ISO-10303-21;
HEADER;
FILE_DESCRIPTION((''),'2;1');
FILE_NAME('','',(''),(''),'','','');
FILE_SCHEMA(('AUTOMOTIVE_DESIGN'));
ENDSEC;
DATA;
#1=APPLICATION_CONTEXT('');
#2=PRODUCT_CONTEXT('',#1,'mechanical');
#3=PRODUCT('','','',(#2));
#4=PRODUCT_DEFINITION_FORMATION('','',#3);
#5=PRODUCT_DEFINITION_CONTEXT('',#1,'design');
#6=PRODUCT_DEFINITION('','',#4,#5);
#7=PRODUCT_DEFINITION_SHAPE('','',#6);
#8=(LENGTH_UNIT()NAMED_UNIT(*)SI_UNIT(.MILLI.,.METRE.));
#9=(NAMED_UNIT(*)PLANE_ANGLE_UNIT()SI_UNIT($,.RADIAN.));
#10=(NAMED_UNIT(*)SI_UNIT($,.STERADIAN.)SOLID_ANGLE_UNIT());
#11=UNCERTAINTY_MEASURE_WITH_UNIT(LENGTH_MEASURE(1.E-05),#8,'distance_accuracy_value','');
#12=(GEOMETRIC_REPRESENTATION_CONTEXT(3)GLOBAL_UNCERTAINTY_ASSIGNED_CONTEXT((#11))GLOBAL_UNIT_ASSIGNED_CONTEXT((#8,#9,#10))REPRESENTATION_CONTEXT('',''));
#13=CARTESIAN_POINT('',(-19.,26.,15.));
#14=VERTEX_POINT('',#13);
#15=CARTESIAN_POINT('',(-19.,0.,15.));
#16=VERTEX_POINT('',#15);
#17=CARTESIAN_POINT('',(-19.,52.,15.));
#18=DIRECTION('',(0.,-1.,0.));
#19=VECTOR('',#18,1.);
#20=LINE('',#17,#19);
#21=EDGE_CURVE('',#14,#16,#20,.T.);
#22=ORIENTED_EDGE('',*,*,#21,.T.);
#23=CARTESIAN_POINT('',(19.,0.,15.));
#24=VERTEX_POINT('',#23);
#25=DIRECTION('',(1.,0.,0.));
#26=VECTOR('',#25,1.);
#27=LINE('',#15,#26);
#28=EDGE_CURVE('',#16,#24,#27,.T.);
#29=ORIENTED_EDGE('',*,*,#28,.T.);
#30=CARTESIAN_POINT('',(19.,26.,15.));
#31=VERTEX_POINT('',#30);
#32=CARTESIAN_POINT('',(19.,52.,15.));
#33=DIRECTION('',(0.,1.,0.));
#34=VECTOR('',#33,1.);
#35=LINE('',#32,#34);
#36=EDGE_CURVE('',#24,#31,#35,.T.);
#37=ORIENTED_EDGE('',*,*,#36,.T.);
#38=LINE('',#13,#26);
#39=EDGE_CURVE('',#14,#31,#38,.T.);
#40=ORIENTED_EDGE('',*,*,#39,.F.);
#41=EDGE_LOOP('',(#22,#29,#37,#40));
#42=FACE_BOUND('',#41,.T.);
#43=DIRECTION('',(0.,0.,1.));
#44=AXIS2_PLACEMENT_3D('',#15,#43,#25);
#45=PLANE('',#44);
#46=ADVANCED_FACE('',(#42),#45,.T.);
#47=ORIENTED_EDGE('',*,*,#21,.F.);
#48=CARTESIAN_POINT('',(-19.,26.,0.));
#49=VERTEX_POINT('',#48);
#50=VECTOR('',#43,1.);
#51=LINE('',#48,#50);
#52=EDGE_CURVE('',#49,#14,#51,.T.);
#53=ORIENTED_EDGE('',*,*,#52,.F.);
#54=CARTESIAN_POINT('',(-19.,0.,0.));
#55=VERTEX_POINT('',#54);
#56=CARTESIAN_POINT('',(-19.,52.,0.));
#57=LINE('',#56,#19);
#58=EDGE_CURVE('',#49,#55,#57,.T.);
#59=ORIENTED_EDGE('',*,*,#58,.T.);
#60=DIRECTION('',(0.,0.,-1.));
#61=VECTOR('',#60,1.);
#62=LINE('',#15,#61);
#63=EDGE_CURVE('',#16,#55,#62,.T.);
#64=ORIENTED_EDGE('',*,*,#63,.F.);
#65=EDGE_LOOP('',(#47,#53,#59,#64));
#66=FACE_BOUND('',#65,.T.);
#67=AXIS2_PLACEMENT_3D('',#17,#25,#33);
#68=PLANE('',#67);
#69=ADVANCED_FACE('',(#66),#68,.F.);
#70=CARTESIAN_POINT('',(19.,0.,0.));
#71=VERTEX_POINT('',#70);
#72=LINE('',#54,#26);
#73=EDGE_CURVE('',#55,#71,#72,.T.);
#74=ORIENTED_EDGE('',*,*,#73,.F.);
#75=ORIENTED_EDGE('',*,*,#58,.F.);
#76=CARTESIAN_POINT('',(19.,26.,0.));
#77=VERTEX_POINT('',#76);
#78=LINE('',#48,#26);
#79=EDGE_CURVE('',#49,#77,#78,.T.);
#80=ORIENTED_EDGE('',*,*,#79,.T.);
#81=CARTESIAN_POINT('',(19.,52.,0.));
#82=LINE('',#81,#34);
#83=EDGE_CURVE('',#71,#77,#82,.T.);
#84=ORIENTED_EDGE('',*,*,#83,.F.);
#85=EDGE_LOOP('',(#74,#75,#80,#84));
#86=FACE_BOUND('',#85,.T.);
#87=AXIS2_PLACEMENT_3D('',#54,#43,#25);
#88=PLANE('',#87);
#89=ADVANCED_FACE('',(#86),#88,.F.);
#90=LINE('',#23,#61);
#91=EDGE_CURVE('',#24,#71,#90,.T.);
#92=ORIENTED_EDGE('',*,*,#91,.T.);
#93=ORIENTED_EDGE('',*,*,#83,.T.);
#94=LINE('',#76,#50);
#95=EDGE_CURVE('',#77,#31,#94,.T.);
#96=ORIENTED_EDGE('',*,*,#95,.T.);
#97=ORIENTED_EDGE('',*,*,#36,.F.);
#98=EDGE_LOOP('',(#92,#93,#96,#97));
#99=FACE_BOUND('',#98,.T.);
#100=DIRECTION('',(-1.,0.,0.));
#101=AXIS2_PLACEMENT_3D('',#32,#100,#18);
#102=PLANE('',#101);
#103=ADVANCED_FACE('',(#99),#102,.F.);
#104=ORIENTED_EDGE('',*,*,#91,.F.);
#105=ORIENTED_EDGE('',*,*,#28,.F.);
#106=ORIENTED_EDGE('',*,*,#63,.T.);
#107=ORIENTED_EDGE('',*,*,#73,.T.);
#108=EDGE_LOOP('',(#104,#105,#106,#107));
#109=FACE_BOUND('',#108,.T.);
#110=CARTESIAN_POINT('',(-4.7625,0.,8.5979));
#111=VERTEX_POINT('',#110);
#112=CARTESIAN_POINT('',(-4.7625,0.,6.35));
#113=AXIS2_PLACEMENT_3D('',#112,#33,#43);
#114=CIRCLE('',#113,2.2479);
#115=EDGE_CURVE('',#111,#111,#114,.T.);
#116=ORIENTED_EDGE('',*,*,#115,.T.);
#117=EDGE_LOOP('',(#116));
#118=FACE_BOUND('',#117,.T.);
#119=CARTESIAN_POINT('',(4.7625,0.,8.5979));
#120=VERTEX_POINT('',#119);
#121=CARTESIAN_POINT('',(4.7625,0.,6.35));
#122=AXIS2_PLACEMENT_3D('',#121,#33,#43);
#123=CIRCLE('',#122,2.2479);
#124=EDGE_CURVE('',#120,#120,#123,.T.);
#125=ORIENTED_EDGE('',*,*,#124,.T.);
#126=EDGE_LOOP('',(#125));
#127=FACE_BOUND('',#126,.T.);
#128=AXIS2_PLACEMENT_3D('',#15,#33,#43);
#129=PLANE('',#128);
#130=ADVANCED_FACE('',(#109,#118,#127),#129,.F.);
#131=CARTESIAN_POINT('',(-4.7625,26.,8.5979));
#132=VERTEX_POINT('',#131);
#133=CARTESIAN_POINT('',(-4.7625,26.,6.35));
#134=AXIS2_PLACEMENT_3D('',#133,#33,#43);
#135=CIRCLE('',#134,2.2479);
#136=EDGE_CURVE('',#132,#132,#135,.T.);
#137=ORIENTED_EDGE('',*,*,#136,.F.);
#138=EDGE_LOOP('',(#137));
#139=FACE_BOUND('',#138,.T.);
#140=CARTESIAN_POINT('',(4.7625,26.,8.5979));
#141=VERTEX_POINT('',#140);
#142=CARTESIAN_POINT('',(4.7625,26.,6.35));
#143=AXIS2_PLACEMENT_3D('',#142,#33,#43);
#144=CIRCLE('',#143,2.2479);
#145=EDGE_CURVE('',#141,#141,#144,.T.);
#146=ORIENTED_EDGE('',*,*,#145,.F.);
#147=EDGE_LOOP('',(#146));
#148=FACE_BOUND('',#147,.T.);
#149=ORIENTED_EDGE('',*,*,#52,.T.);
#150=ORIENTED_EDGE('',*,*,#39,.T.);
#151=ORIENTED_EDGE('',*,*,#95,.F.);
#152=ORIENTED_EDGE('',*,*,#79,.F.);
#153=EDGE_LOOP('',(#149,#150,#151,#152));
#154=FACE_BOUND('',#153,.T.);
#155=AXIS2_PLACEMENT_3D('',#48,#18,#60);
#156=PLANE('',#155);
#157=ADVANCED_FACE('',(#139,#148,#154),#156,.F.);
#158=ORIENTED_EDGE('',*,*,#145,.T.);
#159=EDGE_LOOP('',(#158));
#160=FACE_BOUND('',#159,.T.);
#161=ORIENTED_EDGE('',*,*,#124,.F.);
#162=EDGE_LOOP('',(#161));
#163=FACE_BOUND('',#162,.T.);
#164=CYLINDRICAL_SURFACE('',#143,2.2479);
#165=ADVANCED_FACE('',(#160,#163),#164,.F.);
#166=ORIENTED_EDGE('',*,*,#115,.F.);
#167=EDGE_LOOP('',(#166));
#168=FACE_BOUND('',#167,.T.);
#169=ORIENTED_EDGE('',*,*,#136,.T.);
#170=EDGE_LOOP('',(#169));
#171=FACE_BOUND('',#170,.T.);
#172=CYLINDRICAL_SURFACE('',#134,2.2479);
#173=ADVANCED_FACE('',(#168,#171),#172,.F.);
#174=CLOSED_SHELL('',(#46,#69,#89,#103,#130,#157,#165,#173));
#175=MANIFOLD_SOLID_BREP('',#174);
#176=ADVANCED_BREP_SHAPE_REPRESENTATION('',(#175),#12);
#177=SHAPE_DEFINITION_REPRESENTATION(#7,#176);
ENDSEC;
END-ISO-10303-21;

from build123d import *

# Parameters (mm, degrees)
SKETCH1_W             = 38
SKETCH1_H             = 52
EXTRUDE1_DEPTH        = 15
SKETCH4_W             = 38
SKETCH4_H             = 26
CUT_EXTRUDE3_DEPTH    = 16
F_8_CLEARANCE_HOLE2_D = 4.4958


with BuildPart() as part:
    # Sketch1 → Extrude1 (new body)
    with BuildSketch(Plane.XY):
        with Locations((0, 26)):
            Rectangle(SKETCH1_W, SKETCH1_H)
    extrude(amount=EXTRUDE1_DEPTH)

    # Sketch4 → Cut-Extrude3 (cut, through all)
    with BuildSketch(Plane.XY.offset(15)):
        with Locations((0, 39)):
            Rectangle(SKETCH4_W, SKETCH4_H)
    extrude(amount=-CUT_EXTRUDE3_DEPTH, mode=Mode.SUBTRACT)

    # #8 Clearance Hole2 (through all)
    with Locations(Plane(origin=(0, 26, 0), x_dir=(-1, 0, 0), z_dir=(0, 1, 0))):
        with Locations((-4.7625, 6.35), (4.7625, 6.35)):
            Hole(F_8_CLEARANCE_HOLE2_D / 2)


solid = part.part
